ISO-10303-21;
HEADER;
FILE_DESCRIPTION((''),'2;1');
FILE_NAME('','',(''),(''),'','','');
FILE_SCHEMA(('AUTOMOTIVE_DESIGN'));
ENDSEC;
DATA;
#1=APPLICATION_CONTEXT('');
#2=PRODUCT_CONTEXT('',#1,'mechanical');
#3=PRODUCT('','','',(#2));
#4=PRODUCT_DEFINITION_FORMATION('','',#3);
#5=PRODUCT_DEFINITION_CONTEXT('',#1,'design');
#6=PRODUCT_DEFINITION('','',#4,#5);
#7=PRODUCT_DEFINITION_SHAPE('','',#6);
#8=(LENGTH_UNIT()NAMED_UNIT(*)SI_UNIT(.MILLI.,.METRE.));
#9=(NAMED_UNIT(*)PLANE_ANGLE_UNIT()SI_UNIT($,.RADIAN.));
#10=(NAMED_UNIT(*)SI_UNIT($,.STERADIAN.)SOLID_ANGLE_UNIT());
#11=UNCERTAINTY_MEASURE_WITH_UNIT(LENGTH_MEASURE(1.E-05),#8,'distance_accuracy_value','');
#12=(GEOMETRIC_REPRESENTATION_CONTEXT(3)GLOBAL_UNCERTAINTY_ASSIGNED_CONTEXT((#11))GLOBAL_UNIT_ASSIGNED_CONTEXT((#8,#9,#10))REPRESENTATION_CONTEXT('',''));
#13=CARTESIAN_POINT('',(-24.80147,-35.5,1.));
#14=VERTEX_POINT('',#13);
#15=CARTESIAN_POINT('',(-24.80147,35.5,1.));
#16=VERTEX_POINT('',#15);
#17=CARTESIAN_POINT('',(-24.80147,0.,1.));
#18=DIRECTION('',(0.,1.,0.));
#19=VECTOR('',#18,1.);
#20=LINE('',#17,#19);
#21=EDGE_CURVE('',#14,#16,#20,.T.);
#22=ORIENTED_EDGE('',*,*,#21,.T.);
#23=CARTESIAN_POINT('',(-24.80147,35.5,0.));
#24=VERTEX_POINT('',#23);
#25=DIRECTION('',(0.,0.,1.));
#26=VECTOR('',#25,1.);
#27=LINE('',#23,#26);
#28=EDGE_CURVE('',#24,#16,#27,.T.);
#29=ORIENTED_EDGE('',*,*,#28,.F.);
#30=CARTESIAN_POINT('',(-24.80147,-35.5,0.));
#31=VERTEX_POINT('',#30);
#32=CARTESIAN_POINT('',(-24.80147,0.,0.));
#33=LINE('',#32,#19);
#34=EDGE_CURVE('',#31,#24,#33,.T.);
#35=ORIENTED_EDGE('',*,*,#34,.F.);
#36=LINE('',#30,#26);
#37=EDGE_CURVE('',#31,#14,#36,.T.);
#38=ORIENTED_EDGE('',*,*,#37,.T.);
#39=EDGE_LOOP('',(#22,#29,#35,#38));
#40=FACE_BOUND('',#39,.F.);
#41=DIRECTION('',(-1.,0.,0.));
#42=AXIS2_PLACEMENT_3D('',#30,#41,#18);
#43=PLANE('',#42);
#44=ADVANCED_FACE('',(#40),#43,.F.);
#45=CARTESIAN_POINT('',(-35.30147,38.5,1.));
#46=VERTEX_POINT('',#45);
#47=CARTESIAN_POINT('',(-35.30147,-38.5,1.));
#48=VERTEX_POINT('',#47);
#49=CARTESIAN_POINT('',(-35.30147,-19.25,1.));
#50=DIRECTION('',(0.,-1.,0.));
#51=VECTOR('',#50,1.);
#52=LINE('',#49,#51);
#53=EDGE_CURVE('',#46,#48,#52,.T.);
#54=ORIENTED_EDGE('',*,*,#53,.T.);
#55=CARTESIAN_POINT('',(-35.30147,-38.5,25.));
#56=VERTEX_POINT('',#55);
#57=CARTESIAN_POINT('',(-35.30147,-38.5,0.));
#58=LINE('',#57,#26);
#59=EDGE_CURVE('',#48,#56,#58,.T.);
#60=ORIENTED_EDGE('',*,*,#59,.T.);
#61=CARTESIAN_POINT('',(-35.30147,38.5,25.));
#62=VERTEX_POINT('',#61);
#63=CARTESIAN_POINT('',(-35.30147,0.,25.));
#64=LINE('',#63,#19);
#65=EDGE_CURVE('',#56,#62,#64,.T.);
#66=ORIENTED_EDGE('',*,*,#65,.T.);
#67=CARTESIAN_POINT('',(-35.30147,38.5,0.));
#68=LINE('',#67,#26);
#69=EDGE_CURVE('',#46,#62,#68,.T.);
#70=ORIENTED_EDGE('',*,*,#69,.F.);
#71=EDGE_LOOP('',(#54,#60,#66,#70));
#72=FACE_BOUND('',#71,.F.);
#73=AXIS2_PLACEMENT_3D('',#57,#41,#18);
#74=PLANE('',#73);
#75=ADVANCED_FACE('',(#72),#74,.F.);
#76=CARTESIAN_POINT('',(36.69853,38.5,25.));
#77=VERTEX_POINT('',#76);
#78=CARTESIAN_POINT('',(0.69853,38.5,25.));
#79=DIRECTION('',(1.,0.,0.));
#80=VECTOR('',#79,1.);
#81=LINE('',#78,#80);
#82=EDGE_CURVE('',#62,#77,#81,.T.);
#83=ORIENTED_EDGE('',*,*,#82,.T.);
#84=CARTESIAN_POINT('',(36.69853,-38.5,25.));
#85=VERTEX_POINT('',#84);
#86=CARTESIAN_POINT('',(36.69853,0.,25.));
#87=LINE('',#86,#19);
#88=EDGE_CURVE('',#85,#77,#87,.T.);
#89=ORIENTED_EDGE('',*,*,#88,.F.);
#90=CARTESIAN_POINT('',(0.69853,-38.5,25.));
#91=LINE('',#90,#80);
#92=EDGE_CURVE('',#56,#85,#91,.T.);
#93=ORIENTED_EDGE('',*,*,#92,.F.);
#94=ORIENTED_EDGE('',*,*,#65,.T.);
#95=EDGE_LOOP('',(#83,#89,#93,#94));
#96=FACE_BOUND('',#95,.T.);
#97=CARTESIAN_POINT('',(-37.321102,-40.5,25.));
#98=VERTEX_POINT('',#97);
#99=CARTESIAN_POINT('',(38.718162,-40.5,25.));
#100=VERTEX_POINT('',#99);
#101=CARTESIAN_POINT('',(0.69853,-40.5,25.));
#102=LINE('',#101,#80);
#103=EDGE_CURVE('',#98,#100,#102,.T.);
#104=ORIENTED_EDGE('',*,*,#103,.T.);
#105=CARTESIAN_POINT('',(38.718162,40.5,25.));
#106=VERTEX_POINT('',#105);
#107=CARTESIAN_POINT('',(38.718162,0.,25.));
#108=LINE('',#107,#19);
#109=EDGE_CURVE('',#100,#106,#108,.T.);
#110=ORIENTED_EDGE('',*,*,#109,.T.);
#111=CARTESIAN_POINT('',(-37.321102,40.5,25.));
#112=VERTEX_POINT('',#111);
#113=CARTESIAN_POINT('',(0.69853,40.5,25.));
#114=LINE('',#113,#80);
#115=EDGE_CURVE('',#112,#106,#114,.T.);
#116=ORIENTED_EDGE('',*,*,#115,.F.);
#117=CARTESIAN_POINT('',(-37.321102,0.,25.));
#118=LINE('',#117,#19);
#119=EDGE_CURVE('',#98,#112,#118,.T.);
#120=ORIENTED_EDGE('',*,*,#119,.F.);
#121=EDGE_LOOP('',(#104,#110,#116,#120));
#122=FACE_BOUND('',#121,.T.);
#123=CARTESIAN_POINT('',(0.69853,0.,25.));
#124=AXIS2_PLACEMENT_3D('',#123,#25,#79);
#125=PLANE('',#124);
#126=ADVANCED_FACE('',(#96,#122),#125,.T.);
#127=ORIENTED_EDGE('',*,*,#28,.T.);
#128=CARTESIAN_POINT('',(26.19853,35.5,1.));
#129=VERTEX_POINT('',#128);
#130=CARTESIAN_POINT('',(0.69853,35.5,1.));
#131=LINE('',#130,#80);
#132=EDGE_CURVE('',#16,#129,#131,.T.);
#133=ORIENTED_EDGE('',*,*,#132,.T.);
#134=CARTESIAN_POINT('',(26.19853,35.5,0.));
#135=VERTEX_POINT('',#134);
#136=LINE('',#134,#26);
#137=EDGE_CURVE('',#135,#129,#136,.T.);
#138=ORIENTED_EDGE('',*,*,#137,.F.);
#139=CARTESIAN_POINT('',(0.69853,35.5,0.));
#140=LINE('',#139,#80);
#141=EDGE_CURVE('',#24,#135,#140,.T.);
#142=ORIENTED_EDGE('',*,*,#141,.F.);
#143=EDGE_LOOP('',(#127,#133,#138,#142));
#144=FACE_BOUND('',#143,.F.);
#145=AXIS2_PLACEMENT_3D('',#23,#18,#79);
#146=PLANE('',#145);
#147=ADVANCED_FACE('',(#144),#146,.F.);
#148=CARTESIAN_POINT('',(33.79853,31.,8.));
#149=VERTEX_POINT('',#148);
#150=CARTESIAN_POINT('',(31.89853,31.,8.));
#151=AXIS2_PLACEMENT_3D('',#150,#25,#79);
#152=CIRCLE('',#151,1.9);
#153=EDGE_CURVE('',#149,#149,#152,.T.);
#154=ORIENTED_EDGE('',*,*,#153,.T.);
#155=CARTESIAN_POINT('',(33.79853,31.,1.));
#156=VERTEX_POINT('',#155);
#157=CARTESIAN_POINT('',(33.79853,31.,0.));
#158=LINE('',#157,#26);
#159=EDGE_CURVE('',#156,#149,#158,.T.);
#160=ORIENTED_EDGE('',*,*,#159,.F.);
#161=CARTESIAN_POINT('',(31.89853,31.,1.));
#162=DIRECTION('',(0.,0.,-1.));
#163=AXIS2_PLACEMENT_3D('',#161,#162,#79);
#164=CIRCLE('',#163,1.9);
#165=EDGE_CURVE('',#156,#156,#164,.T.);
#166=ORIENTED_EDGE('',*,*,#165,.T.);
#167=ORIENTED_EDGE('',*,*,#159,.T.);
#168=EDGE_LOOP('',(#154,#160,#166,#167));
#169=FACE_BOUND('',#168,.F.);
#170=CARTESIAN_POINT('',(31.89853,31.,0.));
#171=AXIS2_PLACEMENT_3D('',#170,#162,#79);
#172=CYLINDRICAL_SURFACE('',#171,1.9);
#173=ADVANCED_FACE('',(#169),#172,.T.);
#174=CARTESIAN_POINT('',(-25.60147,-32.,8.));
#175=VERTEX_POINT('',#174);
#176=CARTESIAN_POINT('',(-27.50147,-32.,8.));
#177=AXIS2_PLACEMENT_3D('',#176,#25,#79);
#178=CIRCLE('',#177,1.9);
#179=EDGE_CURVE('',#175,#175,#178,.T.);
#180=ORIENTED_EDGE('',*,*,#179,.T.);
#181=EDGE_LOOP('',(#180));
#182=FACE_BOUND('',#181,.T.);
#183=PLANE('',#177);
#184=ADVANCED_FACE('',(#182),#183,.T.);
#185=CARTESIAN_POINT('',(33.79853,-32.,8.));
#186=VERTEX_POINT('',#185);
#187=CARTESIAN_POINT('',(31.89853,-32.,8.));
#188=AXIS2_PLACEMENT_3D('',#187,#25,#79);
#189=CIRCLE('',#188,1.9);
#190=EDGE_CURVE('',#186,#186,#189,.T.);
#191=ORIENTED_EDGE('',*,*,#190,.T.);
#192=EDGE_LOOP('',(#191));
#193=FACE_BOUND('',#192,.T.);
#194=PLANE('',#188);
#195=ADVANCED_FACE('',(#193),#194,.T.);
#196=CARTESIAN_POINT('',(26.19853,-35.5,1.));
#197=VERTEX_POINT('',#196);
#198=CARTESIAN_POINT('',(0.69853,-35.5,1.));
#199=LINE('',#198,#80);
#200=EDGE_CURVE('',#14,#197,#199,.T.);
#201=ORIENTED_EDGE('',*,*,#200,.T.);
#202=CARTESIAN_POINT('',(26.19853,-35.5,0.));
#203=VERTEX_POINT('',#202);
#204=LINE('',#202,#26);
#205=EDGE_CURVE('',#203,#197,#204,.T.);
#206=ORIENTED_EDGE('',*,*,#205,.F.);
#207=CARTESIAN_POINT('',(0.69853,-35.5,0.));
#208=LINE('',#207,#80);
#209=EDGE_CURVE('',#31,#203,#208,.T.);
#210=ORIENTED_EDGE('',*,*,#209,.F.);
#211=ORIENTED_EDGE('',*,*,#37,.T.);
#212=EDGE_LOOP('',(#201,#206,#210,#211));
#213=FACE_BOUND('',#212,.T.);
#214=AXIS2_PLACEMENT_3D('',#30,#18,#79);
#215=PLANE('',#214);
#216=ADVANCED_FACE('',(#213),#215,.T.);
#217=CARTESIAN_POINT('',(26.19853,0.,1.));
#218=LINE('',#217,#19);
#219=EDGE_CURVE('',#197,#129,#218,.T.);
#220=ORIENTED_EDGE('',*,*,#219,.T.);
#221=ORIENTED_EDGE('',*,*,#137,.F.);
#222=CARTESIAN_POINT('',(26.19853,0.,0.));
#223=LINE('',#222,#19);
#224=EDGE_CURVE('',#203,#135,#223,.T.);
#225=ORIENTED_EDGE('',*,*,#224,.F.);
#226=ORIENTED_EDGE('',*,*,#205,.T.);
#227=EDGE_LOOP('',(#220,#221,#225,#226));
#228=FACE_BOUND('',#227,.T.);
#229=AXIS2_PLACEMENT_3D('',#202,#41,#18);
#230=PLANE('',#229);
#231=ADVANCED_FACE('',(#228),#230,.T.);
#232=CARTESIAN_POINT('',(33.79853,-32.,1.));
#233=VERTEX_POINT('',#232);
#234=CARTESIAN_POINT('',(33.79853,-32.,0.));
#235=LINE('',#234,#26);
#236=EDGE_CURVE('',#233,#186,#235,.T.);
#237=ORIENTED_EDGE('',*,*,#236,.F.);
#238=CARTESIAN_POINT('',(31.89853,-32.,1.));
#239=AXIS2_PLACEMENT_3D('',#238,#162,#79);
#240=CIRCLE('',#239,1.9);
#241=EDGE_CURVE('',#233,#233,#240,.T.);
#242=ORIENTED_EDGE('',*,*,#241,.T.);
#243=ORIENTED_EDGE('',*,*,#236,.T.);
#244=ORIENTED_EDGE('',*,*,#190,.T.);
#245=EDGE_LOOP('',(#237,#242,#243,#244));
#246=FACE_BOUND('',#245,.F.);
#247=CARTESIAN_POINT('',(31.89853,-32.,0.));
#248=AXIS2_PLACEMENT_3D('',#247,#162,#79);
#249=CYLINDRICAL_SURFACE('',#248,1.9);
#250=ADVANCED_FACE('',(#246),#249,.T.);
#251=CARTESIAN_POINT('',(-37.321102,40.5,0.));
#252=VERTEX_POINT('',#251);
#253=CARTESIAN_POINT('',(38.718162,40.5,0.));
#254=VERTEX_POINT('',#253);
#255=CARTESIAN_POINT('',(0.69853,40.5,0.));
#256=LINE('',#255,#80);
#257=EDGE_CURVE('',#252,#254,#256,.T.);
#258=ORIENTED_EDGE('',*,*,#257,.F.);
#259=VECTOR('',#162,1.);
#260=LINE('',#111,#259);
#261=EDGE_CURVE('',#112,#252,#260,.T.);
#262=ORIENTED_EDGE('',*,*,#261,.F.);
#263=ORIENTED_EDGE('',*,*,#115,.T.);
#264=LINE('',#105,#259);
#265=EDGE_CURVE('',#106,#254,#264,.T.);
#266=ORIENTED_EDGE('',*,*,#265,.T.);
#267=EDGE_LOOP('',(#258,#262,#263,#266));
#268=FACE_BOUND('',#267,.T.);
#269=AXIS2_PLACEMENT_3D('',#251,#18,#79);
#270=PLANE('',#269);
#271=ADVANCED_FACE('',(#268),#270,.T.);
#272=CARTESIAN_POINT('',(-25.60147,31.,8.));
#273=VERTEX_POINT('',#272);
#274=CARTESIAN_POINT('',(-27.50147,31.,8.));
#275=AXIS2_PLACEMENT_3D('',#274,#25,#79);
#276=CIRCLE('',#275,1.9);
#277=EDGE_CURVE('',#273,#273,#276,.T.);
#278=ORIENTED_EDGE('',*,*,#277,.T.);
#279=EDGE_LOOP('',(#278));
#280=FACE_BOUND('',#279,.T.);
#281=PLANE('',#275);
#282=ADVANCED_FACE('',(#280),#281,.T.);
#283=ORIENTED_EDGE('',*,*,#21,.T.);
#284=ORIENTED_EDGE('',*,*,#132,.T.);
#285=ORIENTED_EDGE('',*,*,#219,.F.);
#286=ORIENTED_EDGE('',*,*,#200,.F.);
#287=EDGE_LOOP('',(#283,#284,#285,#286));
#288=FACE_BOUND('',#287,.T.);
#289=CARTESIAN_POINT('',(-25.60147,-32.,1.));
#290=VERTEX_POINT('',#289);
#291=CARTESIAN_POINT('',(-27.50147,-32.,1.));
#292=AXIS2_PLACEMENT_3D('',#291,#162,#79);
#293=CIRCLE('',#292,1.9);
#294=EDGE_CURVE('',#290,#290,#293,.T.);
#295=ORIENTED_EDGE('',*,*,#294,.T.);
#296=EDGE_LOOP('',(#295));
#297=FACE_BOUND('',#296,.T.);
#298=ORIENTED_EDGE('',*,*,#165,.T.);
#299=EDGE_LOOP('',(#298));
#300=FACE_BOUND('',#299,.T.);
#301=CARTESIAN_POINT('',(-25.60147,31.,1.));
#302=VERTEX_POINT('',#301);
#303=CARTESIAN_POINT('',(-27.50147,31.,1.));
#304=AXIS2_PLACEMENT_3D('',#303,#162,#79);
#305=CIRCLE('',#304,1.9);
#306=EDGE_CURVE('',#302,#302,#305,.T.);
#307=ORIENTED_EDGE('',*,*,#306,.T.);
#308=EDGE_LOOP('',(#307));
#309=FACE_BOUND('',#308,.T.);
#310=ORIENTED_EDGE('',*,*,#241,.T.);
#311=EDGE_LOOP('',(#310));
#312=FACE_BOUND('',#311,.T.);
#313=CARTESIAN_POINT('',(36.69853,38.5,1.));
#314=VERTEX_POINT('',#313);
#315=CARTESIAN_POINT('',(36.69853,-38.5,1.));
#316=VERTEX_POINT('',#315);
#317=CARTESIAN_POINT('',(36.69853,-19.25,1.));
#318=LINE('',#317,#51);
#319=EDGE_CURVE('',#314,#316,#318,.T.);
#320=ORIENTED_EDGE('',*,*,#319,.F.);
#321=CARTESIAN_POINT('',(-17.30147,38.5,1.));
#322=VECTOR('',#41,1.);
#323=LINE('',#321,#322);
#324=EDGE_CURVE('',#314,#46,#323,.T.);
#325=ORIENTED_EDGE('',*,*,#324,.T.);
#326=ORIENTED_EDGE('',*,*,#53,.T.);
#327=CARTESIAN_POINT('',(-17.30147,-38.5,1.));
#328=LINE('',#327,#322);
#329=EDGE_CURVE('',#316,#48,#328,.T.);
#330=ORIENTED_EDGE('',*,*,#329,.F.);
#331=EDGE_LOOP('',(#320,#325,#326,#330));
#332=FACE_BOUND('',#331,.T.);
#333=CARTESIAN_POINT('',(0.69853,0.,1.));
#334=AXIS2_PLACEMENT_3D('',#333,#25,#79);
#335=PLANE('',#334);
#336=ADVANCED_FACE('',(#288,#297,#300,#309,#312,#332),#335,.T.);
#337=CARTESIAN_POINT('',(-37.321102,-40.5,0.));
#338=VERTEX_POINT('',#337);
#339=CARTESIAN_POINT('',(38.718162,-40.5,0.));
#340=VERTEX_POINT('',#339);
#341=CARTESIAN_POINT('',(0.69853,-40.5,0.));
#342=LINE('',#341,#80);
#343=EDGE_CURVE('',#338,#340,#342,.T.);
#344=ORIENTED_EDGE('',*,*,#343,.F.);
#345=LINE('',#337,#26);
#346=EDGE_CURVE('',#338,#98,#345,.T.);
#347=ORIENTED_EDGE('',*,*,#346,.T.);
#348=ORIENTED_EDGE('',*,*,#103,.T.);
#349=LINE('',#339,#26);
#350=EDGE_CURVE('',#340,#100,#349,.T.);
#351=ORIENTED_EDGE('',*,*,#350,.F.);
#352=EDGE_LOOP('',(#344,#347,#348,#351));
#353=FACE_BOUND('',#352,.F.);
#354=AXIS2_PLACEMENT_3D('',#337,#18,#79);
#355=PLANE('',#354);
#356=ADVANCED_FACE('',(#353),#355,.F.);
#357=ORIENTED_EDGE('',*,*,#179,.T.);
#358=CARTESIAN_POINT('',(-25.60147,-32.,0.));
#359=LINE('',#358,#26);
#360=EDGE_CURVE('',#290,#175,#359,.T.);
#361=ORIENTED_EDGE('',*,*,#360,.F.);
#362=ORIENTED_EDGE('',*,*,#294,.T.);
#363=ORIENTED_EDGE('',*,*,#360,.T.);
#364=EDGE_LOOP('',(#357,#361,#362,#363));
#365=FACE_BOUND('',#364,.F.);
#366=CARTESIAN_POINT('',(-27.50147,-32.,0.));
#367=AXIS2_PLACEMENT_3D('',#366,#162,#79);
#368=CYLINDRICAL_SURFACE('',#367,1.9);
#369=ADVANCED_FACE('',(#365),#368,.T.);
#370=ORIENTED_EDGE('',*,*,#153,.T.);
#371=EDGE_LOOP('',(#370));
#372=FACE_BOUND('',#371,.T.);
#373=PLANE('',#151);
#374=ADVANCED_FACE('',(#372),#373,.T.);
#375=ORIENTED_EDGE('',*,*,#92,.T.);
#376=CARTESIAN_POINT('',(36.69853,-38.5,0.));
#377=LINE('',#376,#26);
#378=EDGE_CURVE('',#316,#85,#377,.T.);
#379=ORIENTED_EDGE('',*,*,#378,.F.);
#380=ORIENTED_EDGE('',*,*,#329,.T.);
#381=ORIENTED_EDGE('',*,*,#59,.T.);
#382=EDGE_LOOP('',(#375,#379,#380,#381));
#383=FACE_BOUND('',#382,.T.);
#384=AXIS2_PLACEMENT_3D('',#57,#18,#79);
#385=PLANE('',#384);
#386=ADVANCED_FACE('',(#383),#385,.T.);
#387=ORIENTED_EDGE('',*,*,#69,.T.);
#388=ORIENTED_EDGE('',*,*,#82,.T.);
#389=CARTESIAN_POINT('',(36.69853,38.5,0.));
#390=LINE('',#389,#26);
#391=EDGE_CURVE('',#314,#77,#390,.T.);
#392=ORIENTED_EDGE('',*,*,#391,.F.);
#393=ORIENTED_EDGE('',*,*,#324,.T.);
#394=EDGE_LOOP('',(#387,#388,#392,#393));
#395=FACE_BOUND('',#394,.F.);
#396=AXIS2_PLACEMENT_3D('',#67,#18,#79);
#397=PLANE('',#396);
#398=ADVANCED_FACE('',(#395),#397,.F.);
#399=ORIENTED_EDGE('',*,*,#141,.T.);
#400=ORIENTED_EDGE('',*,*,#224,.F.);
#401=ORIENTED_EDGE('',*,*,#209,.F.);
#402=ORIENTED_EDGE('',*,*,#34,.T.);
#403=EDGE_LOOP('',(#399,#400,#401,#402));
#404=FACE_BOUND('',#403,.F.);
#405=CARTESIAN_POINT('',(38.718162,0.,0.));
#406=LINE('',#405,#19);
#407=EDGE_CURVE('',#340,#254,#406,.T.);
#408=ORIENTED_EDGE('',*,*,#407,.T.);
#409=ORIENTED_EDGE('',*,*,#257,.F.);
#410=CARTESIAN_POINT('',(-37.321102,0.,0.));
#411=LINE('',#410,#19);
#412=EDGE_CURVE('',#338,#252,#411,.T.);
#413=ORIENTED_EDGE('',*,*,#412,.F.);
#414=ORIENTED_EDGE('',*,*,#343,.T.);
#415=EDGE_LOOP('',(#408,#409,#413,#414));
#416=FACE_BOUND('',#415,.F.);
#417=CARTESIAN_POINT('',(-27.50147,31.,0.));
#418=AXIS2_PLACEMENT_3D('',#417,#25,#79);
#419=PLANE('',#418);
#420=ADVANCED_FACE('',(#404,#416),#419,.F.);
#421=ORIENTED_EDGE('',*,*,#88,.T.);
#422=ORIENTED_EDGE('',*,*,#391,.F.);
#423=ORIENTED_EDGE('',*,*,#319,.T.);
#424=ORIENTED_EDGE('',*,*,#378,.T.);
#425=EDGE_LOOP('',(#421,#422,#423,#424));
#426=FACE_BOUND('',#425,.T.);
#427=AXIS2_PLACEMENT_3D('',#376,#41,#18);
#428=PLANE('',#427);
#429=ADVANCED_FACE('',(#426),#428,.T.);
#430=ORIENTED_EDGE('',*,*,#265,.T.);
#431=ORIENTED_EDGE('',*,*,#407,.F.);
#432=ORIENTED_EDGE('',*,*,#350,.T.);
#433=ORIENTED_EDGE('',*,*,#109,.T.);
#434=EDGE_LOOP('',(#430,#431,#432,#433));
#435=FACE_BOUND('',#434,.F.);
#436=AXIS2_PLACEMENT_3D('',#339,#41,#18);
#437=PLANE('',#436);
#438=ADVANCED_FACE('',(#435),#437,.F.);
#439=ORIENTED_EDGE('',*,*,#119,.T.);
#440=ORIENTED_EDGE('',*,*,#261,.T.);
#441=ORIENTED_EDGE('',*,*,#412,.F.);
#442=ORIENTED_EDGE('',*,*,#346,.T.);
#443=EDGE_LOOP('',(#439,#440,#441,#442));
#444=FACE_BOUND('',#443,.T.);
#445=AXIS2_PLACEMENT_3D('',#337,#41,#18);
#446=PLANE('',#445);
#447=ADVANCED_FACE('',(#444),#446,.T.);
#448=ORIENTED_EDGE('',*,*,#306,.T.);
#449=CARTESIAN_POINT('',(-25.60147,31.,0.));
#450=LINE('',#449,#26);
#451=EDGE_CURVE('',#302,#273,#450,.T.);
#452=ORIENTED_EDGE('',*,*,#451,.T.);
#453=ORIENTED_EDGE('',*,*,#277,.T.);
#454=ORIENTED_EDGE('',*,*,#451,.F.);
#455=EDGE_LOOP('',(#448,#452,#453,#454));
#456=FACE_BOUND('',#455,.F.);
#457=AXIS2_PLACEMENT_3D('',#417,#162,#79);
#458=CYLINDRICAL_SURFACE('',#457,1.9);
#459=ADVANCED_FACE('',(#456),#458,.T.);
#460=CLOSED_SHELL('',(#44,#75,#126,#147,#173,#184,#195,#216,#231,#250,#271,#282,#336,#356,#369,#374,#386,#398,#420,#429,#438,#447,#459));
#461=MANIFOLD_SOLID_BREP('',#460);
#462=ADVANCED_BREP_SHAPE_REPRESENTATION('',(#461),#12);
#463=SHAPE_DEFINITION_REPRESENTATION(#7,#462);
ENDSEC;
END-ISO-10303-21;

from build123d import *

# Parameters (mm, degrees)
F0_W     = 76.039264
F0_H     = 81
F0_W_2   = 72
F0_H_2   = 77
F0_R     = 1.9
F0_W_3   = 51
F0_H_3   = 71
F1_DEPTH = 1
F2_DEPTH = 25
F3_DEPTH = 8


with BuildPart() as f1:
    # F0 (on Top) → F1 (new body)
    with BuildSketch(Plane.XY):
        with Locations((0.69853, 0)):
            Rectangle(F0_W, F0_H)
        with Locations((0.69853, 0)):
            Rectangle(F0_W_2, F0_H_2, mode=Mode.SUBTRACT)
        with Locations((0.69853, 0)):
            Rectangle(F0_W_2, F0_H_2)
        with Locations((-27.50147, -32)):
            Circle(F0_R, mode=Mode.SUBTRACT)
        with Locations((31.89853, -32)):
            Circle(F0_R, mode=Mode.SUBTRACT)
        with Locations((-27.50147, 31)):
            Circle(F0_R, mode=Mode.SUBTRACT)
        with Locations((0.69853, 0)):
            Rectangle(F0_W_3, F0_H_3, mode=Mode.SUBTRACT)
        with Locations((31.89853, 31)):
            Circle(F0_R, mode=Mode.SUBTRACT)
        with Locations((31.89853, 31)):
            Circle(F0_R)
        with Locations((-27.50147, 31)):
            Circle(F0_R)
        with Locations((-27.50147, -32)):
            Circle(F0_R)
        with Locations((31.89853, -32)):
            Circle(F0_R)
    extrude(amount=F1_DEPTH)

    # F0 (on Top) → F2 (join)
    with BuildSketch(Plane.XY):
        with Locations((0.69853, 0)):
            Rectangle(F0_W, F0_H)
        with Locations((0.69853, 0)):
            Rectangle(F0_W_2, F0_H_2, mode=Mode.SUBTRACT)
    extrude(amount=F2_DEPTH)

    # F0 (on Top) → F3 (join)
    with BuildSketch(Plane.XY):
        with Locations((-27.50147, 31)):
            Circle(F0_R)
        with Locations((31.89853, 31)):
            Circle(F0_R)
        with Locations((-27.50147, -32)):
            Circle(F0_R)
        with Locations((31.89853, -32)):
            Circle(F0_R)
    extrude(amount=F3_DEPTH)


solid = f1.part
